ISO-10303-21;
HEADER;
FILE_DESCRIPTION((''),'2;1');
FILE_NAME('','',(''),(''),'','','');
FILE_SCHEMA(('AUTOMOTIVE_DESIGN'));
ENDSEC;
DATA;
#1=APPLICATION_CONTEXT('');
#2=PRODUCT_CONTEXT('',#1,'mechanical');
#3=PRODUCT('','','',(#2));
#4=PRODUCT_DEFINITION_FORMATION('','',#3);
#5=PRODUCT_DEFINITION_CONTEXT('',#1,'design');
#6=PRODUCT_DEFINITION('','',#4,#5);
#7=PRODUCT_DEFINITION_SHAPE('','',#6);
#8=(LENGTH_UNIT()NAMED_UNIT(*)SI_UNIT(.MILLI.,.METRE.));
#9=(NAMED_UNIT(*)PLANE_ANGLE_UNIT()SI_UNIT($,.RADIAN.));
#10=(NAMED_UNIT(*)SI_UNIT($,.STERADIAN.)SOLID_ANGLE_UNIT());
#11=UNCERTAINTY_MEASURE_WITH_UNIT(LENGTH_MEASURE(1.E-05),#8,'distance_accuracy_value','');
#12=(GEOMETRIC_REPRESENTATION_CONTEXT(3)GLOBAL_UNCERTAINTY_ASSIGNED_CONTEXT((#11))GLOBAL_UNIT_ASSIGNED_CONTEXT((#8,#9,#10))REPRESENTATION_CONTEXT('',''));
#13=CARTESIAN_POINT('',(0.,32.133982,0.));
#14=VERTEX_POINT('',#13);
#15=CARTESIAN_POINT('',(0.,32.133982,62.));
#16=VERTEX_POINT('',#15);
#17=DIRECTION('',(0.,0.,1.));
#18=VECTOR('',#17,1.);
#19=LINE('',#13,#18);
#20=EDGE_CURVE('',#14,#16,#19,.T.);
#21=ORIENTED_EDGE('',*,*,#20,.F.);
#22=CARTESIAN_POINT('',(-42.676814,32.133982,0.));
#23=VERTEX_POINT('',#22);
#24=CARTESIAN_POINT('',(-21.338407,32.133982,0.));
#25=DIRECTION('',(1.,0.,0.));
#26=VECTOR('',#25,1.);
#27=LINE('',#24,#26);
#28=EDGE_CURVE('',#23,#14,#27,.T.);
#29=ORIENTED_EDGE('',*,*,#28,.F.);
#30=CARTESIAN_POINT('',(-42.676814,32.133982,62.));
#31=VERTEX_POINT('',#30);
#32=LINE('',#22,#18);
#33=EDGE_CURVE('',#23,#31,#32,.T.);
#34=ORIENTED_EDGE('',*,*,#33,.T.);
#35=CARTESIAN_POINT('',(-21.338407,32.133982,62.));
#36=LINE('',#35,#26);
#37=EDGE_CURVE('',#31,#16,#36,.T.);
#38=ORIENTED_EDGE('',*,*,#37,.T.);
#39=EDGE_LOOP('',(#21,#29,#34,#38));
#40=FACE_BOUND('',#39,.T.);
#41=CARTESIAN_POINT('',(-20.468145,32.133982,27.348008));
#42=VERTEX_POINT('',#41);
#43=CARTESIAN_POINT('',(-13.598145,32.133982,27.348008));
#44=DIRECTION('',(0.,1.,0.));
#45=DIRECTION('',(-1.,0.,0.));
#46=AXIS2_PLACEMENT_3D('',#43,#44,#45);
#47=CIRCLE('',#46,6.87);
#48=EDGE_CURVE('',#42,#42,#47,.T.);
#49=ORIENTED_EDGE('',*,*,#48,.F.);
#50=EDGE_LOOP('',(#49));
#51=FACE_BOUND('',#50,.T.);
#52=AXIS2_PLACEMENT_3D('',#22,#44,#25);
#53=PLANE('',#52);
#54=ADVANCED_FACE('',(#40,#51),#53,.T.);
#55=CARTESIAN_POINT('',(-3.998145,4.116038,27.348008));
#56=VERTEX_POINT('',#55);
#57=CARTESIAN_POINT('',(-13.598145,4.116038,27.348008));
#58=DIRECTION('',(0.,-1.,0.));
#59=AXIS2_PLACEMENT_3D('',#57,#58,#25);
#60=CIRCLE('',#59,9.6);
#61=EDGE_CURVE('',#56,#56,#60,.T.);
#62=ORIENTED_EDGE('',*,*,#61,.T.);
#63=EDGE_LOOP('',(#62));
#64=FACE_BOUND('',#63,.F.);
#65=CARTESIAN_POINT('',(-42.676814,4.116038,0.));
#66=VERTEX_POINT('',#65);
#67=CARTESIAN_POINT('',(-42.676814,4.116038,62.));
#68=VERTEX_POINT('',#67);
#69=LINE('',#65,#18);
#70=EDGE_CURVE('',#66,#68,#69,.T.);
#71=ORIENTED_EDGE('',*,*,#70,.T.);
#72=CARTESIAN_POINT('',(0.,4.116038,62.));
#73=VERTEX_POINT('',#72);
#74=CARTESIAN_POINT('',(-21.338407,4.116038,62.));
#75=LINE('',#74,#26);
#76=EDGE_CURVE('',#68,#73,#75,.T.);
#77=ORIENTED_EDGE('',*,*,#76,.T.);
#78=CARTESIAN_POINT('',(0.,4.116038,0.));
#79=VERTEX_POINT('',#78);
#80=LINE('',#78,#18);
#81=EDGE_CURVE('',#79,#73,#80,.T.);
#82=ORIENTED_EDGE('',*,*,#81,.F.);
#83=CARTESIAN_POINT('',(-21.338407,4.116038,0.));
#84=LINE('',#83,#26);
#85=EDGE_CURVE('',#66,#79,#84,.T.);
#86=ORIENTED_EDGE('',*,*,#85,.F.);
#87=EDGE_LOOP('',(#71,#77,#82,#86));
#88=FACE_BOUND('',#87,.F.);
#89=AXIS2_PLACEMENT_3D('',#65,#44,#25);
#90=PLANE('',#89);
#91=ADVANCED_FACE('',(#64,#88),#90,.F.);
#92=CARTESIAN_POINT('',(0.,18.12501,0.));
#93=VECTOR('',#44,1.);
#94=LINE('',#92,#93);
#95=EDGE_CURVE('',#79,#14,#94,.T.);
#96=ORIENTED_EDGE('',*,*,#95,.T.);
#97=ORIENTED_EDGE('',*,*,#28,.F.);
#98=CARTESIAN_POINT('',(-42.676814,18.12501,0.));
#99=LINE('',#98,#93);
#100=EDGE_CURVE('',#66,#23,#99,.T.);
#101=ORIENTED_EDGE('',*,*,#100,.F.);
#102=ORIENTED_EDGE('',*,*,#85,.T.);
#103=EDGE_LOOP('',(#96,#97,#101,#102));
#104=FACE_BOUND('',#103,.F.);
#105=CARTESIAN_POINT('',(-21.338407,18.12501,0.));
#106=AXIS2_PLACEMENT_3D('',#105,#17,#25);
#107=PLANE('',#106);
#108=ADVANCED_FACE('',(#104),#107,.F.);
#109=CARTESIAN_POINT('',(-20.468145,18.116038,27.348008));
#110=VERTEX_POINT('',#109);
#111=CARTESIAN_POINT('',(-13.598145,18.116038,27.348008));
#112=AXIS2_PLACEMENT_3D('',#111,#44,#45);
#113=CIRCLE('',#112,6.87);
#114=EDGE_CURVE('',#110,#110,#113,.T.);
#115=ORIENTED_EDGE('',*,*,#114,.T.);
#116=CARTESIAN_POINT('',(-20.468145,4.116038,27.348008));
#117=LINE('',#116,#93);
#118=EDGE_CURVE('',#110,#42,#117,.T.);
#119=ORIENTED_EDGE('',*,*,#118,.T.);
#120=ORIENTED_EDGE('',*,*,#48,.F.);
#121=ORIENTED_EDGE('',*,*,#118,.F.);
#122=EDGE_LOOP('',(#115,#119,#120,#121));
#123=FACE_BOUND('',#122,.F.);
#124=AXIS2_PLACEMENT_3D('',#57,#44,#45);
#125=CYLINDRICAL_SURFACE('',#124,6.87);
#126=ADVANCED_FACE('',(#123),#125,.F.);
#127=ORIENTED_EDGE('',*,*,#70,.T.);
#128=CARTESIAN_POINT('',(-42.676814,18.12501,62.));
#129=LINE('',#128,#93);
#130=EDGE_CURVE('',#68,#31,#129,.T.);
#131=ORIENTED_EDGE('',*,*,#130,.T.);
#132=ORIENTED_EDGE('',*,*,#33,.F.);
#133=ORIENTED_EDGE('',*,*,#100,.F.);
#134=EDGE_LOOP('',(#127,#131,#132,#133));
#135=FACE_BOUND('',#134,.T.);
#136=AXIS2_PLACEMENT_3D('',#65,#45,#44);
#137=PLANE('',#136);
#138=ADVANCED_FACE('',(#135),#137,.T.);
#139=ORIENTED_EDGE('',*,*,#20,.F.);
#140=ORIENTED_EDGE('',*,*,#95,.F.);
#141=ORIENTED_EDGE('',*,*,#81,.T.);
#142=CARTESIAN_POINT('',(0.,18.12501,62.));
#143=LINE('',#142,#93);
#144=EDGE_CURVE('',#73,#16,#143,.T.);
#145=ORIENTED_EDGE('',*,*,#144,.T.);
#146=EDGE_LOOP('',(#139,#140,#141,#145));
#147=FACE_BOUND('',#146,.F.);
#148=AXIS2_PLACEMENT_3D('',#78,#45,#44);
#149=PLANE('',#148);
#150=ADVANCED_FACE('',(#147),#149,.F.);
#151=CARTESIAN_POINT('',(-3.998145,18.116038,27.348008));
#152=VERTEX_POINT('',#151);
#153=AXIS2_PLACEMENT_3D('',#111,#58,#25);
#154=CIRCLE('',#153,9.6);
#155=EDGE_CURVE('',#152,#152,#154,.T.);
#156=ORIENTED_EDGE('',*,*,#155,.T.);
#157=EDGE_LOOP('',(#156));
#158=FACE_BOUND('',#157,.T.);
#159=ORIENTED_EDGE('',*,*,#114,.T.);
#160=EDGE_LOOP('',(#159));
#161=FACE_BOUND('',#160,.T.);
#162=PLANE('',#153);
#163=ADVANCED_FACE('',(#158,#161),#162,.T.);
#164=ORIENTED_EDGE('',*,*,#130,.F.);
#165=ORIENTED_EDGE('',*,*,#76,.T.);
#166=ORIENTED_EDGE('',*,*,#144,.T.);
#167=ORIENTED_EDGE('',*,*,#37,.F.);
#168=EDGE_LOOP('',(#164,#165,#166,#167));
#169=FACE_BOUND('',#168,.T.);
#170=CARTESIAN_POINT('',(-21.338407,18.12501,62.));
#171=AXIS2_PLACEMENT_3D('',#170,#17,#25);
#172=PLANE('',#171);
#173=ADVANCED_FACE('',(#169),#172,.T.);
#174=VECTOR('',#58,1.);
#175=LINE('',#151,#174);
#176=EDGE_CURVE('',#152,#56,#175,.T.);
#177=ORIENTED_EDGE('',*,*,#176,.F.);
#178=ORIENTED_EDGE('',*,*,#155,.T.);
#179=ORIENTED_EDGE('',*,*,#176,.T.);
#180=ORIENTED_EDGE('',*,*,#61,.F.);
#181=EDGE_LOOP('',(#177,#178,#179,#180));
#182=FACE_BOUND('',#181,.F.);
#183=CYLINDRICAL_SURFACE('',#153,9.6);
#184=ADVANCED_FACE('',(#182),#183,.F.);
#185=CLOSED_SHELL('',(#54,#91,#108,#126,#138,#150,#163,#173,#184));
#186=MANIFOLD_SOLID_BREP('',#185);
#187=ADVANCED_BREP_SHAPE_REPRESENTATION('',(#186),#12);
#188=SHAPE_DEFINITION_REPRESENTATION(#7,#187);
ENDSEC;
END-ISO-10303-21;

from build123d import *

# Parameters (mm, degrees)
F0_W           = 42.676814
F0_H           = 28.017944
F1_DEPTH       = 62
F3_D           = 13.74
F3_CBORE_D     = 19.2
F3_CBORE_DEPTH = 14


with BuildPart() as f1:
    # F0 (on Top) → F1 (new body)
    with BuildSketch(Plane.XY):
        with Locations((-21.338407, 18.12501)):
            Rectangle(F0_W, F0_H)
    extrude(amount=F1_DEPTH)

    # F3 (through all)
    with Locations(Plane.XZ.offset(-4.116038)):
        with Locations((-13.598145, 27.348008)):
            CounterBoreHole(F3_D / 2, F3_CBORE_D / 2, F3_CBORE_DEPTH)


solid = f1.part
